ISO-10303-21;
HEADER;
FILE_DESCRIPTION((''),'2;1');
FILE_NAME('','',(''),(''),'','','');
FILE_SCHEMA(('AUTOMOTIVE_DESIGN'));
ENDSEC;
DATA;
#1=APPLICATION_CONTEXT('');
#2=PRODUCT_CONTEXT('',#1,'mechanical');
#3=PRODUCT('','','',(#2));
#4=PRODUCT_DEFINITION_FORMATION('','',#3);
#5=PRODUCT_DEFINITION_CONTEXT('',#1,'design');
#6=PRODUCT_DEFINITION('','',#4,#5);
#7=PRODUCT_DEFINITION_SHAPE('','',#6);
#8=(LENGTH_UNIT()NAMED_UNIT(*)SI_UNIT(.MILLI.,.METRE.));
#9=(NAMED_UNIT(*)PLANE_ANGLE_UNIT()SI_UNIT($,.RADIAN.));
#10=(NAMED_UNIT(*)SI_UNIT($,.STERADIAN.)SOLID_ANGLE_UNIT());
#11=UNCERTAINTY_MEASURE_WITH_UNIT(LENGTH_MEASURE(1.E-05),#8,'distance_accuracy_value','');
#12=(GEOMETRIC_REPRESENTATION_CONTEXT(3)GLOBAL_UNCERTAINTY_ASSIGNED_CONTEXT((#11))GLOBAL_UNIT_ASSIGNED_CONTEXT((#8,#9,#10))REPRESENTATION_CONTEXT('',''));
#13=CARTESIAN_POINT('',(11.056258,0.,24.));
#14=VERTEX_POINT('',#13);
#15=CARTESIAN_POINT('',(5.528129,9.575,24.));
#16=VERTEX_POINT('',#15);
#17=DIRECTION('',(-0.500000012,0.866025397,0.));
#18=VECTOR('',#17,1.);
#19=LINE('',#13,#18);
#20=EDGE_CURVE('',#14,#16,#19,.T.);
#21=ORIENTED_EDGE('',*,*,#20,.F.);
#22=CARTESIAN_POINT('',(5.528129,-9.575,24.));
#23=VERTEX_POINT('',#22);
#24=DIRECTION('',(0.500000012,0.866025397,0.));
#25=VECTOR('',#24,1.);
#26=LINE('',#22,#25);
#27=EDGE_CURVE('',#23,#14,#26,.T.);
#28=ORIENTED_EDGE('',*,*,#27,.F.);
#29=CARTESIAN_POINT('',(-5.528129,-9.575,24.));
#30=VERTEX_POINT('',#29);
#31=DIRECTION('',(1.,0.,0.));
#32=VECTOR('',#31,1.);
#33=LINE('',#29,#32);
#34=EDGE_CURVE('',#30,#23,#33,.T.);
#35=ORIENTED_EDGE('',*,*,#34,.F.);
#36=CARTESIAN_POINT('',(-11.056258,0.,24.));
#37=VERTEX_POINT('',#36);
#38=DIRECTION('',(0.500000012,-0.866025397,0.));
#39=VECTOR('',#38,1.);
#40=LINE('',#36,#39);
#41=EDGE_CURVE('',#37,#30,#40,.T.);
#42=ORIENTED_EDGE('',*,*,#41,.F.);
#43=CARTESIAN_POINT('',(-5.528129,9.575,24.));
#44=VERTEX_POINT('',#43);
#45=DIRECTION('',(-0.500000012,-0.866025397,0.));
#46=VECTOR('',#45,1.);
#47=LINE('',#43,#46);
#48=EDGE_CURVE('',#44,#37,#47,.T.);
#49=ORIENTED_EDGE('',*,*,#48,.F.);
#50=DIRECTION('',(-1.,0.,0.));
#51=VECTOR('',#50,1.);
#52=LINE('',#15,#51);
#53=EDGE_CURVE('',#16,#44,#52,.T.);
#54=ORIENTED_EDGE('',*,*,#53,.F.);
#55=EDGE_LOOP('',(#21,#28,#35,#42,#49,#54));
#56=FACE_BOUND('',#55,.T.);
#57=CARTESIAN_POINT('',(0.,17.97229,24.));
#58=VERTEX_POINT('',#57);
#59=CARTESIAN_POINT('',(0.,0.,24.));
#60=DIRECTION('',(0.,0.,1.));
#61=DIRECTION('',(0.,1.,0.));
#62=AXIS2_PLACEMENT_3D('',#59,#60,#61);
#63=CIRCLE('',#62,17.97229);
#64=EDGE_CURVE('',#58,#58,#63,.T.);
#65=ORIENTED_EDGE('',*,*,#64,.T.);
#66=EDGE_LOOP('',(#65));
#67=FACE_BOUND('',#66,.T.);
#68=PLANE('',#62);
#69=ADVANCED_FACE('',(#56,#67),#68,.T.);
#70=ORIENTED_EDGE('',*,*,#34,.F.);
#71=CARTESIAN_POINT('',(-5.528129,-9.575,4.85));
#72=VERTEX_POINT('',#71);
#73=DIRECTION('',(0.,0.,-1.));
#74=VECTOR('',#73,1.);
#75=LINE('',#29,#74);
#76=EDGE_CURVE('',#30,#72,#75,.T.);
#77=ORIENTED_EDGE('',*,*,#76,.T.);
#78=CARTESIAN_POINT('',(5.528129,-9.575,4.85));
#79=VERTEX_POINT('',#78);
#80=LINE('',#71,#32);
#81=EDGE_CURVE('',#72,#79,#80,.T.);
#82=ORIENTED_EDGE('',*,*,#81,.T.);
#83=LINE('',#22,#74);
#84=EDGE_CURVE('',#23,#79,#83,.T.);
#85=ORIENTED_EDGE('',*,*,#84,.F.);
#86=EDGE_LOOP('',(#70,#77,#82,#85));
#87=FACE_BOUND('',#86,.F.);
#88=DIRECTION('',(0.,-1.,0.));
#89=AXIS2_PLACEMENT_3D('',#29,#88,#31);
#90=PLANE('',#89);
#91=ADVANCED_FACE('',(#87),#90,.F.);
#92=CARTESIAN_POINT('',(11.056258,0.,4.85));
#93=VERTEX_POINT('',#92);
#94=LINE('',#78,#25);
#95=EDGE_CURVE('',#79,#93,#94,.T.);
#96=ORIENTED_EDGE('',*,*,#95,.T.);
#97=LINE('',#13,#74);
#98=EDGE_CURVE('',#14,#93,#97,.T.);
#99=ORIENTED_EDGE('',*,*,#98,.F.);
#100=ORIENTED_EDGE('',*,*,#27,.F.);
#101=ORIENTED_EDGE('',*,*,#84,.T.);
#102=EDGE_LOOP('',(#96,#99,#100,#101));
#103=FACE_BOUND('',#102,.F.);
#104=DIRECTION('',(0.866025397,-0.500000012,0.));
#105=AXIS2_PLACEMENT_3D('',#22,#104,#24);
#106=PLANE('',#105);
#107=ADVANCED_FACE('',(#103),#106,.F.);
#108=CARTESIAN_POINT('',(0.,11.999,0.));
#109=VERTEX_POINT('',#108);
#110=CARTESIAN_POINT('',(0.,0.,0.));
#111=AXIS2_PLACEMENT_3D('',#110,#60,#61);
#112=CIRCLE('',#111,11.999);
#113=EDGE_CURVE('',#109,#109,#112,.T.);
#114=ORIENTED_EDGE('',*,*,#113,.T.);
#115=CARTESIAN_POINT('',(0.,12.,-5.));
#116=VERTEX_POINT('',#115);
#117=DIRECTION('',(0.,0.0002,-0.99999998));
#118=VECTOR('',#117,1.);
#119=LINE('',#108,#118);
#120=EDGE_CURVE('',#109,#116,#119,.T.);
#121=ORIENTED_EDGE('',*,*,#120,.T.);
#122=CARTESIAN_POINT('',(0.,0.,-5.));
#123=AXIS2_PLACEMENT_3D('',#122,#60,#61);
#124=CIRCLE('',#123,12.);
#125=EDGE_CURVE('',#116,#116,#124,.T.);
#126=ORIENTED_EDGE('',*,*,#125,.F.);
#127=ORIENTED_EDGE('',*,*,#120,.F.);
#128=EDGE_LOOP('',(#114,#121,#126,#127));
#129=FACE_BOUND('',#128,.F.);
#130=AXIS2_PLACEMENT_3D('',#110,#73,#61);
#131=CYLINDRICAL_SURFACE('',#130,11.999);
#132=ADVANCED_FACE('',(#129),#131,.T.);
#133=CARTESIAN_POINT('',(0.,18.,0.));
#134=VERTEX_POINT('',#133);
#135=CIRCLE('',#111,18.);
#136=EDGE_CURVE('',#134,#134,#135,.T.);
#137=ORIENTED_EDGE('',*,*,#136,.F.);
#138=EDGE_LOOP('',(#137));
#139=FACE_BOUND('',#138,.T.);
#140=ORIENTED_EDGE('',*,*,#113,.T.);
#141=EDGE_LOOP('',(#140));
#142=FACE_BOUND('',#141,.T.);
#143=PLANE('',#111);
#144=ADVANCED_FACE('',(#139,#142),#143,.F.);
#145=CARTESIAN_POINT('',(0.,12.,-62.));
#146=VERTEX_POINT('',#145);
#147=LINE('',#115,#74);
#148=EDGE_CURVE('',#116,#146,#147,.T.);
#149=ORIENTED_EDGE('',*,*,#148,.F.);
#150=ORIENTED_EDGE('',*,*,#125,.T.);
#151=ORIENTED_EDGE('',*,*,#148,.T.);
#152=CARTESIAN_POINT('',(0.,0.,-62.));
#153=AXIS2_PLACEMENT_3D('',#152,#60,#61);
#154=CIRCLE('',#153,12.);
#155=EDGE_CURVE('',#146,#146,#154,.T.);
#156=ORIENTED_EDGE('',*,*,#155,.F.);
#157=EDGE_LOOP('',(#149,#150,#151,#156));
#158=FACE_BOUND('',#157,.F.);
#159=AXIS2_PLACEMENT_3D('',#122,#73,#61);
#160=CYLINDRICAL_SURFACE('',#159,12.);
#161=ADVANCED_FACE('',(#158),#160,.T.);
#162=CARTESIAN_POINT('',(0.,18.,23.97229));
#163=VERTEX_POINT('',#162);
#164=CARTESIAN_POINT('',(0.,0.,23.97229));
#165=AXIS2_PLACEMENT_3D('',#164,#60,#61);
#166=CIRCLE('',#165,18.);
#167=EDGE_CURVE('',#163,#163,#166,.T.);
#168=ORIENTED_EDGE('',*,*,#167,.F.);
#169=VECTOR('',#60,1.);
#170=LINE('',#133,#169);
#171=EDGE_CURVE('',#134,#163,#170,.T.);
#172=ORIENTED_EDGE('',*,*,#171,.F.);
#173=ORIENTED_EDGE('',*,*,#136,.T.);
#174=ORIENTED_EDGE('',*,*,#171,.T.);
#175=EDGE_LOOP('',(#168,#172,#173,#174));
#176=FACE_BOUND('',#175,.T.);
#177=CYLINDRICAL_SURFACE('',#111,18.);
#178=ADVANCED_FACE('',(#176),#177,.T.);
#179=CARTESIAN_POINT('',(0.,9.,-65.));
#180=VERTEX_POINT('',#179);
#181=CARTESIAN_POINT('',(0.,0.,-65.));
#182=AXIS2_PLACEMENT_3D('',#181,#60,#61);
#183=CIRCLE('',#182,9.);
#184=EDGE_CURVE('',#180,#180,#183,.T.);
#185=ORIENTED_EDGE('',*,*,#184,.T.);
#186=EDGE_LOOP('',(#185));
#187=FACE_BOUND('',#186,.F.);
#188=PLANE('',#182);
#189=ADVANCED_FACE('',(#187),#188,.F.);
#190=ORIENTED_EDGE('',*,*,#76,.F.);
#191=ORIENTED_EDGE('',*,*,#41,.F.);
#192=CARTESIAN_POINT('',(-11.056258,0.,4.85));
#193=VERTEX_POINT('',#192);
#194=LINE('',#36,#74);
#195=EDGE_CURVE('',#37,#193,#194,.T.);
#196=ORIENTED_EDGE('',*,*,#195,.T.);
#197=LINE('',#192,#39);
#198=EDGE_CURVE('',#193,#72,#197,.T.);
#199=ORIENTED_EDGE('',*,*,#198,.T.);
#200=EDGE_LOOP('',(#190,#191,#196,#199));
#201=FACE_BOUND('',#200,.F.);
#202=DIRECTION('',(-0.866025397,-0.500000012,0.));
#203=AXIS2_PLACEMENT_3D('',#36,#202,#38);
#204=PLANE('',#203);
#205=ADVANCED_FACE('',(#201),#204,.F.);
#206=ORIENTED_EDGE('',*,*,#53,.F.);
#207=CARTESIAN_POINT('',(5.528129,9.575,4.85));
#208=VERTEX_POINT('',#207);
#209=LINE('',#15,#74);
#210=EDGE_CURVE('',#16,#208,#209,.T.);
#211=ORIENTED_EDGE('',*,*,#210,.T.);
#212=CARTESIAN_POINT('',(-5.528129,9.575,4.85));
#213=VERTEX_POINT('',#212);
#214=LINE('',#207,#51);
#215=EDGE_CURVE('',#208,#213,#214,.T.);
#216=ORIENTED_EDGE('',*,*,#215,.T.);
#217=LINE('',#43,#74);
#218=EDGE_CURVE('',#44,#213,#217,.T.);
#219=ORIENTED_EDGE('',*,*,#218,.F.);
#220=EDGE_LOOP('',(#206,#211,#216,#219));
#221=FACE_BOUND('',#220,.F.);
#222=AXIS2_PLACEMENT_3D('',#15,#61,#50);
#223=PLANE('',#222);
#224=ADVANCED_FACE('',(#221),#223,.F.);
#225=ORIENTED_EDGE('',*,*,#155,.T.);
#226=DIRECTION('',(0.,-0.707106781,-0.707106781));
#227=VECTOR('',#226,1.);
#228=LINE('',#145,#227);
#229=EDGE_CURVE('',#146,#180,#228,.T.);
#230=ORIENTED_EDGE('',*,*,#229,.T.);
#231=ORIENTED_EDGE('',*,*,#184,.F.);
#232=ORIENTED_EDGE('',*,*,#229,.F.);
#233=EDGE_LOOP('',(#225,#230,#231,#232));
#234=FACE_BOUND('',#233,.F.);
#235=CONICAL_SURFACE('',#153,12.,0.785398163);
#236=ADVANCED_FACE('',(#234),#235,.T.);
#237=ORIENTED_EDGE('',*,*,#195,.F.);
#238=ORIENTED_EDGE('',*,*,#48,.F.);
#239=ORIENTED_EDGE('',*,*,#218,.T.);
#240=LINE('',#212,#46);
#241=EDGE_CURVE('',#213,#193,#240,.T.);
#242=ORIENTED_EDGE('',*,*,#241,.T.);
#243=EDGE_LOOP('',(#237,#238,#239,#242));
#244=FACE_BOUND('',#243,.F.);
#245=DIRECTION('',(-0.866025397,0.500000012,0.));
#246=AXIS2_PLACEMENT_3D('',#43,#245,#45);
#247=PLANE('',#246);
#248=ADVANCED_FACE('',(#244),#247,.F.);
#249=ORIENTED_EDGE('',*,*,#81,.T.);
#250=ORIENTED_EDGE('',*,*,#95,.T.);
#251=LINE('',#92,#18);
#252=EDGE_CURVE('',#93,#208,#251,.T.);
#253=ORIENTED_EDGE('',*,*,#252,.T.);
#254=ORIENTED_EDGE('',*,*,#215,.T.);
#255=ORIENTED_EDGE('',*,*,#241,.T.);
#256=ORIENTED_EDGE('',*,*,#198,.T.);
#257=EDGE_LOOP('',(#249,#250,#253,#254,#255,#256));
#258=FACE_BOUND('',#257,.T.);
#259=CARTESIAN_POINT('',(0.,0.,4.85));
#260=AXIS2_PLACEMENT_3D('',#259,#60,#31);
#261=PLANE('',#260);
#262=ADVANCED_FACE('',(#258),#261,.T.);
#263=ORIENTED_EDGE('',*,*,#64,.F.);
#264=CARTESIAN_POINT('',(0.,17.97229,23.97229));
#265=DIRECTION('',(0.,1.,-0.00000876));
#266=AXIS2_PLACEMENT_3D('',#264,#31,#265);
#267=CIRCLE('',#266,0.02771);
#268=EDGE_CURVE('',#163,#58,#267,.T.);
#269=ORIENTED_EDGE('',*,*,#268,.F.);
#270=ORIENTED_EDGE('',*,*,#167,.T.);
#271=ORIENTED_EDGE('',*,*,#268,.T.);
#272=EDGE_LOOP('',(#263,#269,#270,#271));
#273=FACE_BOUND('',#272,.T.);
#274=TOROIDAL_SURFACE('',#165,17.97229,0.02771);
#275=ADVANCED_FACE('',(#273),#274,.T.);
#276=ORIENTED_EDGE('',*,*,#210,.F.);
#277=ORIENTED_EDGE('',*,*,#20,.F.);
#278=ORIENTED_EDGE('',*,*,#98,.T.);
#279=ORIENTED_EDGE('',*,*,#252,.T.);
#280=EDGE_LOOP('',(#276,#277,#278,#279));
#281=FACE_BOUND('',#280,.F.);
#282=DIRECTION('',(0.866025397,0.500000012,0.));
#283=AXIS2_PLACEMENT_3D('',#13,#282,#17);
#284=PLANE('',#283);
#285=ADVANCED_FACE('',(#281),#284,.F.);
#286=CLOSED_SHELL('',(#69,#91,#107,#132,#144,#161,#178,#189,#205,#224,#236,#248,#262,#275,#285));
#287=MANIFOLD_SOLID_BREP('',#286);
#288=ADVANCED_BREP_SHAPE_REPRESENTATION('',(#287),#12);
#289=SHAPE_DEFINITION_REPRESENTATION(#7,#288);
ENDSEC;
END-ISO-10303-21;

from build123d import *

# Parameters (mm, degrees)
POCKET_DEPTH = 19.15


with BuildPart() as part:
    # Sketch → Revolve (revolve)
    with BuildSketch(Plane.YZ):
        with BuildLine():
            Line((11.999, 0), (18, 0))
            Line((18, 0), (18, 23.97229))
            ThreePointArc((18, 23.97229), (17.991884, 23.991884), (17.97229, 24))
            Line((17.97229, 24), (0, 24))
            Line((0, -65), (0, 24))
            Line((9, -65), (0, -65))
            Line((12, -62), (9, -65))
            Line((12, -5), (12, -62))
            Line((11.999, 0), (12, -5))
        make_face()
    revolve(axis=Axis((0, 0, 0), (0, 0, 1)))

    # Sketch001 → Pocket (cut)
    with BuildSketch(Plane.XY.offset(24)):
        Polygon((11.056258, 0), (5.528129, 9.575), (-5.528129, 9.575), (-11.056258, 0), (-5.528129, -9.575), (5.528129, -9.575), align=None)
    extrude(amount=-POCKET_DEPTH, mode=Mode.SUBTRACT)


solid = part.part
